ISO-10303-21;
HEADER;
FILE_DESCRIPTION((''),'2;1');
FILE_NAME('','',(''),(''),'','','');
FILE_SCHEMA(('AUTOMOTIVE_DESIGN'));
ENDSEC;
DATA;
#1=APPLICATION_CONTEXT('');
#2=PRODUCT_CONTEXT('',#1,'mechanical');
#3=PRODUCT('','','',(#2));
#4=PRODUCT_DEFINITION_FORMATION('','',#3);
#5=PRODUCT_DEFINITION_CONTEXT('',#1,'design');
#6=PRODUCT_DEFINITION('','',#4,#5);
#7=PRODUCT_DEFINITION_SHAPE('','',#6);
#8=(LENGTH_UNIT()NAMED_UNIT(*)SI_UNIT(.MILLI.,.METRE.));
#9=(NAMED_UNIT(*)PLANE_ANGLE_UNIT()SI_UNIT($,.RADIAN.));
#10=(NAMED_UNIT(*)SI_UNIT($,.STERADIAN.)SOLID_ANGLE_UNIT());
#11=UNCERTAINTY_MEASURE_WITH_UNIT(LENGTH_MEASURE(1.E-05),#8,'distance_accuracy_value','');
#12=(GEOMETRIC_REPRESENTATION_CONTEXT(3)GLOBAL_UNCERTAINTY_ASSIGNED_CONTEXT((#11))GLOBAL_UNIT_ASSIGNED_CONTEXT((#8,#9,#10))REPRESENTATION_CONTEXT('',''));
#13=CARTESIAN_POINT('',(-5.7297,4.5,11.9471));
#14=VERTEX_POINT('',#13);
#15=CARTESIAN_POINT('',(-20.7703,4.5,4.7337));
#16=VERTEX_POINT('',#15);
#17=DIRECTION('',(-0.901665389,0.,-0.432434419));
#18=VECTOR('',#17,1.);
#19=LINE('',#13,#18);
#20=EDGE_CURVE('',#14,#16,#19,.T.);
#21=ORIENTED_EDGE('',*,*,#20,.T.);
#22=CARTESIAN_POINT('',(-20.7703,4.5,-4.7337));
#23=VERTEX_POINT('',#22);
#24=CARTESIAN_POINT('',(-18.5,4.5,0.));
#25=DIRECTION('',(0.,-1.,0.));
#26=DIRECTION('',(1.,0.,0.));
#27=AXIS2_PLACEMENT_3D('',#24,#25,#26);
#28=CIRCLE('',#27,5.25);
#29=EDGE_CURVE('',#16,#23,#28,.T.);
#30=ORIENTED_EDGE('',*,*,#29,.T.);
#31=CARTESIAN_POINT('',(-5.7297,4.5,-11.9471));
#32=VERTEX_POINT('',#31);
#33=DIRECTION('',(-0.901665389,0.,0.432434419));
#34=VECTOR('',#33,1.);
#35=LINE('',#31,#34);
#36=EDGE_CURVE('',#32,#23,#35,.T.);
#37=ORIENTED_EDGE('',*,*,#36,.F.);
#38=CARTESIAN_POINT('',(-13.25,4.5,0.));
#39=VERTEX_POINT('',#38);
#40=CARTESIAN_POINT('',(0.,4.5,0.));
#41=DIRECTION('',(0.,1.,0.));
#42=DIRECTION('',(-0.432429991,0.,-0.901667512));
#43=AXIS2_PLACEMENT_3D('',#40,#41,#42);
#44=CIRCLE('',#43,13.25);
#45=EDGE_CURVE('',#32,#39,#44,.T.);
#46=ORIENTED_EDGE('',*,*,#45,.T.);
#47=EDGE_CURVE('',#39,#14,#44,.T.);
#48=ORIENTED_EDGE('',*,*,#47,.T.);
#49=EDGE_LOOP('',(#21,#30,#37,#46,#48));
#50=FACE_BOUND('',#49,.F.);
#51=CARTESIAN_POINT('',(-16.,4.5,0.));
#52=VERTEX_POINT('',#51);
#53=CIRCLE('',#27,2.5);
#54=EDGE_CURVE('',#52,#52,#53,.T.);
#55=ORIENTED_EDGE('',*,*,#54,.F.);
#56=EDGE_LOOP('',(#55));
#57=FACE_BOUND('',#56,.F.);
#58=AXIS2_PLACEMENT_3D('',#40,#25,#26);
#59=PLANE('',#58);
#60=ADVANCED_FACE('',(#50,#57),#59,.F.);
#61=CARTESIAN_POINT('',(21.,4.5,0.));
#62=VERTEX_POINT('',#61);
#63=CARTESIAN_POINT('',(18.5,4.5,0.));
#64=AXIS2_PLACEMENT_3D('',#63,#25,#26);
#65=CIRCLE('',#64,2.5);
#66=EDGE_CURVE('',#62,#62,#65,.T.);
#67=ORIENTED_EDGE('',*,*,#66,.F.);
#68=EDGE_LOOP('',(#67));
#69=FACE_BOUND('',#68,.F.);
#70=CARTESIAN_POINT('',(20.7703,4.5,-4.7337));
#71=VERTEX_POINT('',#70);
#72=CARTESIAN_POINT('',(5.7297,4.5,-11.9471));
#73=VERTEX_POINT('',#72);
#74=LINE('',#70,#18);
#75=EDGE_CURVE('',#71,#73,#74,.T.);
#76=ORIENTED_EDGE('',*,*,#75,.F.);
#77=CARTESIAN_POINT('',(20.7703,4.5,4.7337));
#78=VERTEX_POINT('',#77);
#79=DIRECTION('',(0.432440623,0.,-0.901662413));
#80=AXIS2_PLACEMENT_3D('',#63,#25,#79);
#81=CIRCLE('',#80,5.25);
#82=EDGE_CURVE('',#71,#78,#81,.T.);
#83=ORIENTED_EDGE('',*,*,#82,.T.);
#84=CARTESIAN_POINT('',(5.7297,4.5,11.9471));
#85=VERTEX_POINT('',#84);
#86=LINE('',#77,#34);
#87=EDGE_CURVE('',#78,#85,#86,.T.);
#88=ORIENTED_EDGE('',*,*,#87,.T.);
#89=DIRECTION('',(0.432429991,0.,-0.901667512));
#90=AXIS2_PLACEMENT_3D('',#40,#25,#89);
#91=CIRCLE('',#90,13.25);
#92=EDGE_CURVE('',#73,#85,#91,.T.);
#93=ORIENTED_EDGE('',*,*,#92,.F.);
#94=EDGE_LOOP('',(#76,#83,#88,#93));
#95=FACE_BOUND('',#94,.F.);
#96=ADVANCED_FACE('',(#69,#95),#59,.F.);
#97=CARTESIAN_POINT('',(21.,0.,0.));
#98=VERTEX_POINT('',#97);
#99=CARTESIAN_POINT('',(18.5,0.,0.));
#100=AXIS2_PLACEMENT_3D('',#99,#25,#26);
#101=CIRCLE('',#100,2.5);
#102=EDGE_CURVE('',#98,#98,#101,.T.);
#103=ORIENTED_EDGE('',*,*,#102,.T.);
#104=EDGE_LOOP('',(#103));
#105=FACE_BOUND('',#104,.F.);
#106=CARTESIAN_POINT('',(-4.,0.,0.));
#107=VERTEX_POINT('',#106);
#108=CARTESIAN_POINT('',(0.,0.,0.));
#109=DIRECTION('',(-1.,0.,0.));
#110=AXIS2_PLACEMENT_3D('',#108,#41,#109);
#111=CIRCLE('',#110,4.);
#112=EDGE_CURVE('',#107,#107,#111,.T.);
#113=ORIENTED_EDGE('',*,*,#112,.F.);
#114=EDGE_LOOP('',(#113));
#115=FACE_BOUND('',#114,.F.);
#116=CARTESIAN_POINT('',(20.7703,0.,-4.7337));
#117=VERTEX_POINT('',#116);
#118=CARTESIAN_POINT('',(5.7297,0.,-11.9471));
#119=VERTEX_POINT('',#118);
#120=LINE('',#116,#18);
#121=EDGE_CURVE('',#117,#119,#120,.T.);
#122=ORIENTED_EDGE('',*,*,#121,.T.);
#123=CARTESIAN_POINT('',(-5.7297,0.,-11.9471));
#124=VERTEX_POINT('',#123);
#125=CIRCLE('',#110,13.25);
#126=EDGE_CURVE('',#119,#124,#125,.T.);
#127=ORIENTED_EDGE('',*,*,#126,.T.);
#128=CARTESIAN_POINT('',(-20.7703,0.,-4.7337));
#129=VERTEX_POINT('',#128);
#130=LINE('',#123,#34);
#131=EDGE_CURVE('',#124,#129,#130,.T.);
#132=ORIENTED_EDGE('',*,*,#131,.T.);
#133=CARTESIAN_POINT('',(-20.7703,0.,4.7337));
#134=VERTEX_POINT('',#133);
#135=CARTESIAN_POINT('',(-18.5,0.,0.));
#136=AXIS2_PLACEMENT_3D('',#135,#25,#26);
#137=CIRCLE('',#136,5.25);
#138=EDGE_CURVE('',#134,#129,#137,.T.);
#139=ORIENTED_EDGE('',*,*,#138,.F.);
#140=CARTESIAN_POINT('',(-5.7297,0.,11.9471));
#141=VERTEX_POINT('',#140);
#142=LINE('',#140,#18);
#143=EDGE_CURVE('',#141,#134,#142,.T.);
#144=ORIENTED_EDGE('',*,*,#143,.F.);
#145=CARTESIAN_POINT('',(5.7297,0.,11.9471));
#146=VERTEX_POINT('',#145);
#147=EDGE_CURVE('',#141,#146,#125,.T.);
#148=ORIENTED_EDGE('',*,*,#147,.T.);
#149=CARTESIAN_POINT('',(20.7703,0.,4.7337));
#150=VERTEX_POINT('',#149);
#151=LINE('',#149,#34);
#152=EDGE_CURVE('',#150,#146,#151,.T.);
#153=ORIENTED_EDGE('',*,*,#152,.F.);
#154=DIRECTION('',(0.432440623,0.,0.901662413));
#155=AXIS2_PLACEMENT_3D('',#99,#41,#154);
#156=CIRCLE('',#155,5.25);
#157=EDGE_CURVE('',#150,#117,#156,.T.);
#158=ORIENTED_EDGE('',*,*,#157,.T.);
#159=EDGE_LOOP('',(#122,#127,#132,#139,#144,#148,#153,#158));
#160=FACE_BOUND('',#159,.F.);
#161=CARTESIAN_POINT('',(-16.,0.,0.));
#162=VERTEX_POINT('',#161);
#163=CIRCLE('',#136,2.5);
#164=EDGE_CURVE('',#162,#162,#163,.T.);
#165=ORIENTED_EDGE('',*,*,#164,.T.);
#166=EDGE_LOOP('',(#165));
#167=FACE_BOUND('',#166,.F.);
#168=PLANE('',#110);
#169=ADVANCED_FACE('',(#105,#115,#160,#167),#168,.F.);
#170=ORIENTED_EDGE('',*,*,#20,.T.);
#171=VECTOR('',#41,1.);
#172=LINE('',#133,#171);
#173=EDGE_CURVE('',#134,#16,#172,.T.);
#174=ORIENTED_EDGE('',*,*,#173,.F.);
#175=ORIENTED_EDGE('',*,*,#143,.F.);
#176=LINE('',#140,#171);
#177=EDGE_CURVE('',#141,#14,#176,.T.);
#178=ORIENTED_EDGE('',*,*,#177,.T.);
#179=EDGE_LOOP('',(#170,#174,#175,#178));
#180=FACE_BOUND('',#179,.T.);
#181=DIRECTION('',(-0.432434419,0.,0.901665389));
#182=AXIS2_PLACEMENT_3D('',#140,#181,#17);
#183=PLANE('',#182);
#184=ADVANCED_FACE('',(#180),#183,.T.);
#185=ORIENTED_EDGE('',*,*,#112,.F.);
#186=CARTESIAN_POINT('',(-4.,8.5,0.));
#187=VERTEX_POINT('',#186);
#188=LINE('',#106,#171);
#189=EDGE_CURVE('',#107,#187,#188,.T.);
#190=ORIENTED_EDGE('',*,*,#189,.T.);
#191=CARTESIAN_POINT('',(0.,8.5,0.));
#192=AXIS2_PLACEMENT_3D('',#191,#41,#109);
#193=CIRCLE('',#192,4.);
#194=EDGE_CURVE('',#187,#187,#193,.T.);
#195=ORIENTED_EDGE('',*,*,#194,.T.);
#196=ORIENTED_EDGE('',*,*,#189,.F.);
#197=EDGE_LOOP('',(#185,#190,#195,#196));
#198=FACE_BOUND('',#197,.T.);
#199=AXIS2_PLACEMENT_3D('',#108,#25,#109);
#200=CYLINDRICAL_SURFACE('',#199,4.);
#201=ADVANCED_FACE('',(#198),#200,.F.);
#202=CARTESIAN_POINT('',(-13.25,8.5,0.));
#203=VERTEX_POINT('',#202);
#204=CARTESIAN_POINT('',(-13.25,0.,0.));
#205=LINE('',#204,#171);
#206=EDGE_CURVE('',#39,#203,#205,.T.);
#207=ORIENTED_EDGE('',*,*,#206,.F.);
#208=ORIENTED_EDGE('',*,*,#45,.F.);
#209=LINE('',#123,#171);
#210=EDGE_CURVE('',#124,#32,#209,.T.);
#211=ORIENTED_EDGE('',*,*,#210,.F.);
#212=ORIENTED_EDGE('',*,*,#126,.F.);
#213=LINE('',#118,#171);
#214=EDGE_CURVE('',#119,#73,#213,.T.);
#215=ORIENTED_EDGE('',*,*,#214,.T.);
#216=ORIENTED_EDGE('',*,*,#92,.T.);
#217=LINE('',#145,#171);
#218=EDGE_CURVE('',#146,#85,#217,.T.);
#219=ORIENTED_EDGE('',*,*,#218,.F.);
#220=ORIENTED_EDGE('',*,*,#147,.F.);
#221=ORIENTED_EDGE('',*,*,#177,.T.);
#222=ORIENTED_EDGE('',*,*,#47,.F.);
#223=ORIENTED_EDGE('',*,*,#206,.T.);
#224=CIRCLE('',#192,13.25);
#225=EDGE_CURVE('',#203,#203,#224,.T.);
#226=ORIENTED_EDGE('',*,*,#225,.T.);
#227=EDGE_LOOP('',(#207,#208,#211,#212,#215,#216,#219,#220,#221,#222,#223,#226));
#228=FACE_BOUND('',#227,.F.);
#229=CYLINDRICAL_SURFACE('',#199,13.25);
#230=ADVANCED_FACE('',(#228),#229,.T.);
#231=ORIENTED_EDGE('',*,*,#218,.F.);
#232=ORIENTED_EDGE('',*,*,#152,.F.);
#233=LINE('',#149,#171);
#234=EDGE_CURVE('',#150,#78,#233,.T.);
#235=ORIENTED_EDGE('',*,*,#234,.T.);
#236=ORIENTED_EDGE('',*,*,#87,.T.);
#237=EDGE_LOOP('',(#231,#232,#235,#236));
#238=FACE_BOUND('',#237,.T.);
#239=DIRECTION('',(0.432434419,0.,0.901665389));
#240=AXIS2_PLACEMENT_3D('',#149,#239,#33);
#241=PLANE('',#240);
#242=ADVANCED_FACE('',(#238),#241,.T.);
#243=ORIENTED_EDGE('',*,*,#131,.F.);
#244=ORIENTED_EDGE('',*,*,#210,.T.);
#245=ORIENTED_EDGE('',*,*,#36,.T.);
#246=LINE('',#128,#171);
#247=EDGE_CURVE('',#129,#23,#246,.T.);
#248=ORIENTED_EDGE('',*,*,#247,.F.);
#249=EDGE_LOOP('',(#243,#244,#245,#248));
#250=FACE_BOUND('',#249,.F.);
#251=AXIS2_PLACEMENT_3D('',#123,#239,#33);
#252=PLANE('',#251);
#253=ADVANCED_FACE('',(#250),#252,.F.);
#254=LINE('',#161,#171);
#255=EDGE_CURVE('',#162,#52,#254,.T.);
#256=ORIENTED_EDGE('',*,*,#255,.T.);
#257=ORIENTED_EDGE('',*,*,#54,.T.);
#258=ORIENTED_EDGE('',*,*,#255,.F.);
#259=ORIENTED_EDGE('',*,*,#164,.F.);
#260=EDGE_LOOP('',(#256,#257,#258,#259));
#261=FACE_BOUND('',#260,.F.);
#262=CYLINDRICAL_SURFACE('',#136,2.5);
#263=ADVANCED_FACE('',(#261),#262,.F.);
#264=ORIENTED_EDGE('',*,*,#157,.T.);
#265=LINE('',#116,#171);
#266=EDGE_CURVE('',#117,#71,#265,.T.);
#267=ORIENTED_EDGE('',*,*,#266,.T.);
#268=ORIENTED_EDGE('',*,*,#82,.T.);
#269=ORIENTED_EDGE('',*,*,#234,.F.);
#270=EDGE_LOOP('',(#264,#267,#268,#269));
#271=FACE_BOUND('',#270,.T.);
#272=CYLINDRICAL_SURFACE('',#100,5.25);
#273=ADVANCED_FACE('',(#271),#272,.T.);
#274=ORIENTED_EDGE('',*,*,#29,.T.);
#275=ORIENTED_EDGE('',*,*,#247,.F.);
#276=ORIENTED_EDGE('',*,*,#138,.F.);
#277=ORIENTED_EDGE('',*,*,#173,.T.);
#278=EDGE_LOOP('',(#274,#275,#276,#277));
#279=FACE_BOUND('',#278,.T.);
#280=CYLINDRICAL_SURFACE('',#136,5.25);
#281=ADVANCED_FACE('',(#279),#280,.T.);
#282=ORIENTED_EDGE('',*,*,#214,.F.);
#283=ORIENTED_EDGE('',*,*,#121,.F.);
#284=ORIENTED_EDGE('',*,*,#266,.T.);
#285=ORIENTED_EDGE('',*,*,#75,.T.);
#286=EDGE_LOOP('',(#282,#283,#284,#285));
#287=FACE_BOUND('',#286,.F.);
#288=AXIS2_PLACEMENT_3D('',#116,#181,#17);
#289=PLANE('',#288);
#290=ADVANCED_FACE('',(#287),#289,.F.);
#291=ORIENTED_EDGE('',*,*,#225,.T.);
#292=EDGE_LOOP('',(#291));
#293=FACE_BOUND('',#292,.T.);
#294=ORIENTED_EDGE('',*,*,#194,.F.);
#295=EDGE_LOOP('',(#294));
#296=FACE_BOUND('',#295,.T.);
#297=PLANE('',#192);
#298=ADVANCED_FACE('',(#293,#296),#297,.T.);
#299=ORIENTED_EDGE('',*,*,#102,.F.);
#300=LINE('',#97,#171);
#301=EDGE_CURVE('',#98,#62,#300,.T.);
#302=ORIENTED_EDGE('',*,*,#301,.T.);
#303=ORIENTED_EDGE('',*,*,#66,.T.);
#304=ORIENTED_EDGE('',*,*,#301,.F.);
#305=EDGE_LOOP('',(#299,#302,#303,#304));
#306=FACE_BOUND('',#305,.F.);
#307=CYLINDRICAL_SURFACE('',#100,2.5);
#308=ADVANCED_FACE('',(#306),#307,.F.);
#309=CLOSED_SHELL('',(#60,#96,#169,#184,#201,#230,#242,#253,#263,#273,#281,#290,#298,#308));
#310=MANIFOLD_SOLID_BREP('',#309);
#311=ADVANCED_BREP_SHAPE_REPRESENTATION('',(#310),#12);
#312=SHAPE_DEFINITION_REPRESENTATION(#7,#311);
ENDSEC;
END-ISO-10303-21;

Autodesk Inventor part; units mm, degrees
ref_plane "YZ Plane" through (0, 0, 0) normal (1, 0, 0) x (0, 1, 0)
ref_plane "XZ Plane" through (0, 0, 0) normal (0, 1, 0) x (-1, 0, 0)
ref_plane "XY Plane" through (0, 0, 0) normal (0, 0, 1) x (1, 0, 0)
sketch "Sketch1" plane through (0, 0, 0) normal (0, 1, 0) x (-1, 0, 0)
  circle A0 centre (0, 0) radius 13.25
  circle A1 centre (0, 0) radius 4
  dimension "d0" = 26.5
  dimension "d1" = 8
extrude "Extrusion1" add sketch "Sketch1" along normal blind 8.5
sketch "Sketch2" plane through (0, 0, 0) normal (0, -1, 0) x (1, 0, 0)
  circle A0 centre (18.5, 0) radius 2.5
  circle A1 centre (-18.5, 0) radius 2.5
  circle A2 centre (18.5, 0) radius 5.25
  circle A3 centre (-18.5, 0) radius 5.25
  line L0 (20.7703, -4.7337) -> (5.7297, -11.9471)
  circle A4 centre (0, 0) radius 13.25 projected
  line L1 (20.7703, 4.7337) -> (5.7297, 11.9471)
  line L2 (-5.7297, -11.9471) -> (-20.7703, -4.7337)
  line L3 (-5.7297, 11.9471) -> (-20.7703, 4.7337)
  point P0 (0, 18.5)
  point P1 (0, -18.5)
  dimension "d6" = 5
  dimension "d7" = 5
  dimension "d8" = 37
  dimension "d9" = 18.5
  dimension "d10" = 10.5
  dimension "d11" = 10.5
  dimension "d14" = 47.5
extrude "Extrusion2" add sketch "Sketch2" against normal blind 4.5 contours A2 | A2 A4 L1 | L0 A4 A2 | A4 A3 L3 | L2 A3 A4 | A3
properties part number "O_Do_Lan" material "Aluminum 6061-AHC"
